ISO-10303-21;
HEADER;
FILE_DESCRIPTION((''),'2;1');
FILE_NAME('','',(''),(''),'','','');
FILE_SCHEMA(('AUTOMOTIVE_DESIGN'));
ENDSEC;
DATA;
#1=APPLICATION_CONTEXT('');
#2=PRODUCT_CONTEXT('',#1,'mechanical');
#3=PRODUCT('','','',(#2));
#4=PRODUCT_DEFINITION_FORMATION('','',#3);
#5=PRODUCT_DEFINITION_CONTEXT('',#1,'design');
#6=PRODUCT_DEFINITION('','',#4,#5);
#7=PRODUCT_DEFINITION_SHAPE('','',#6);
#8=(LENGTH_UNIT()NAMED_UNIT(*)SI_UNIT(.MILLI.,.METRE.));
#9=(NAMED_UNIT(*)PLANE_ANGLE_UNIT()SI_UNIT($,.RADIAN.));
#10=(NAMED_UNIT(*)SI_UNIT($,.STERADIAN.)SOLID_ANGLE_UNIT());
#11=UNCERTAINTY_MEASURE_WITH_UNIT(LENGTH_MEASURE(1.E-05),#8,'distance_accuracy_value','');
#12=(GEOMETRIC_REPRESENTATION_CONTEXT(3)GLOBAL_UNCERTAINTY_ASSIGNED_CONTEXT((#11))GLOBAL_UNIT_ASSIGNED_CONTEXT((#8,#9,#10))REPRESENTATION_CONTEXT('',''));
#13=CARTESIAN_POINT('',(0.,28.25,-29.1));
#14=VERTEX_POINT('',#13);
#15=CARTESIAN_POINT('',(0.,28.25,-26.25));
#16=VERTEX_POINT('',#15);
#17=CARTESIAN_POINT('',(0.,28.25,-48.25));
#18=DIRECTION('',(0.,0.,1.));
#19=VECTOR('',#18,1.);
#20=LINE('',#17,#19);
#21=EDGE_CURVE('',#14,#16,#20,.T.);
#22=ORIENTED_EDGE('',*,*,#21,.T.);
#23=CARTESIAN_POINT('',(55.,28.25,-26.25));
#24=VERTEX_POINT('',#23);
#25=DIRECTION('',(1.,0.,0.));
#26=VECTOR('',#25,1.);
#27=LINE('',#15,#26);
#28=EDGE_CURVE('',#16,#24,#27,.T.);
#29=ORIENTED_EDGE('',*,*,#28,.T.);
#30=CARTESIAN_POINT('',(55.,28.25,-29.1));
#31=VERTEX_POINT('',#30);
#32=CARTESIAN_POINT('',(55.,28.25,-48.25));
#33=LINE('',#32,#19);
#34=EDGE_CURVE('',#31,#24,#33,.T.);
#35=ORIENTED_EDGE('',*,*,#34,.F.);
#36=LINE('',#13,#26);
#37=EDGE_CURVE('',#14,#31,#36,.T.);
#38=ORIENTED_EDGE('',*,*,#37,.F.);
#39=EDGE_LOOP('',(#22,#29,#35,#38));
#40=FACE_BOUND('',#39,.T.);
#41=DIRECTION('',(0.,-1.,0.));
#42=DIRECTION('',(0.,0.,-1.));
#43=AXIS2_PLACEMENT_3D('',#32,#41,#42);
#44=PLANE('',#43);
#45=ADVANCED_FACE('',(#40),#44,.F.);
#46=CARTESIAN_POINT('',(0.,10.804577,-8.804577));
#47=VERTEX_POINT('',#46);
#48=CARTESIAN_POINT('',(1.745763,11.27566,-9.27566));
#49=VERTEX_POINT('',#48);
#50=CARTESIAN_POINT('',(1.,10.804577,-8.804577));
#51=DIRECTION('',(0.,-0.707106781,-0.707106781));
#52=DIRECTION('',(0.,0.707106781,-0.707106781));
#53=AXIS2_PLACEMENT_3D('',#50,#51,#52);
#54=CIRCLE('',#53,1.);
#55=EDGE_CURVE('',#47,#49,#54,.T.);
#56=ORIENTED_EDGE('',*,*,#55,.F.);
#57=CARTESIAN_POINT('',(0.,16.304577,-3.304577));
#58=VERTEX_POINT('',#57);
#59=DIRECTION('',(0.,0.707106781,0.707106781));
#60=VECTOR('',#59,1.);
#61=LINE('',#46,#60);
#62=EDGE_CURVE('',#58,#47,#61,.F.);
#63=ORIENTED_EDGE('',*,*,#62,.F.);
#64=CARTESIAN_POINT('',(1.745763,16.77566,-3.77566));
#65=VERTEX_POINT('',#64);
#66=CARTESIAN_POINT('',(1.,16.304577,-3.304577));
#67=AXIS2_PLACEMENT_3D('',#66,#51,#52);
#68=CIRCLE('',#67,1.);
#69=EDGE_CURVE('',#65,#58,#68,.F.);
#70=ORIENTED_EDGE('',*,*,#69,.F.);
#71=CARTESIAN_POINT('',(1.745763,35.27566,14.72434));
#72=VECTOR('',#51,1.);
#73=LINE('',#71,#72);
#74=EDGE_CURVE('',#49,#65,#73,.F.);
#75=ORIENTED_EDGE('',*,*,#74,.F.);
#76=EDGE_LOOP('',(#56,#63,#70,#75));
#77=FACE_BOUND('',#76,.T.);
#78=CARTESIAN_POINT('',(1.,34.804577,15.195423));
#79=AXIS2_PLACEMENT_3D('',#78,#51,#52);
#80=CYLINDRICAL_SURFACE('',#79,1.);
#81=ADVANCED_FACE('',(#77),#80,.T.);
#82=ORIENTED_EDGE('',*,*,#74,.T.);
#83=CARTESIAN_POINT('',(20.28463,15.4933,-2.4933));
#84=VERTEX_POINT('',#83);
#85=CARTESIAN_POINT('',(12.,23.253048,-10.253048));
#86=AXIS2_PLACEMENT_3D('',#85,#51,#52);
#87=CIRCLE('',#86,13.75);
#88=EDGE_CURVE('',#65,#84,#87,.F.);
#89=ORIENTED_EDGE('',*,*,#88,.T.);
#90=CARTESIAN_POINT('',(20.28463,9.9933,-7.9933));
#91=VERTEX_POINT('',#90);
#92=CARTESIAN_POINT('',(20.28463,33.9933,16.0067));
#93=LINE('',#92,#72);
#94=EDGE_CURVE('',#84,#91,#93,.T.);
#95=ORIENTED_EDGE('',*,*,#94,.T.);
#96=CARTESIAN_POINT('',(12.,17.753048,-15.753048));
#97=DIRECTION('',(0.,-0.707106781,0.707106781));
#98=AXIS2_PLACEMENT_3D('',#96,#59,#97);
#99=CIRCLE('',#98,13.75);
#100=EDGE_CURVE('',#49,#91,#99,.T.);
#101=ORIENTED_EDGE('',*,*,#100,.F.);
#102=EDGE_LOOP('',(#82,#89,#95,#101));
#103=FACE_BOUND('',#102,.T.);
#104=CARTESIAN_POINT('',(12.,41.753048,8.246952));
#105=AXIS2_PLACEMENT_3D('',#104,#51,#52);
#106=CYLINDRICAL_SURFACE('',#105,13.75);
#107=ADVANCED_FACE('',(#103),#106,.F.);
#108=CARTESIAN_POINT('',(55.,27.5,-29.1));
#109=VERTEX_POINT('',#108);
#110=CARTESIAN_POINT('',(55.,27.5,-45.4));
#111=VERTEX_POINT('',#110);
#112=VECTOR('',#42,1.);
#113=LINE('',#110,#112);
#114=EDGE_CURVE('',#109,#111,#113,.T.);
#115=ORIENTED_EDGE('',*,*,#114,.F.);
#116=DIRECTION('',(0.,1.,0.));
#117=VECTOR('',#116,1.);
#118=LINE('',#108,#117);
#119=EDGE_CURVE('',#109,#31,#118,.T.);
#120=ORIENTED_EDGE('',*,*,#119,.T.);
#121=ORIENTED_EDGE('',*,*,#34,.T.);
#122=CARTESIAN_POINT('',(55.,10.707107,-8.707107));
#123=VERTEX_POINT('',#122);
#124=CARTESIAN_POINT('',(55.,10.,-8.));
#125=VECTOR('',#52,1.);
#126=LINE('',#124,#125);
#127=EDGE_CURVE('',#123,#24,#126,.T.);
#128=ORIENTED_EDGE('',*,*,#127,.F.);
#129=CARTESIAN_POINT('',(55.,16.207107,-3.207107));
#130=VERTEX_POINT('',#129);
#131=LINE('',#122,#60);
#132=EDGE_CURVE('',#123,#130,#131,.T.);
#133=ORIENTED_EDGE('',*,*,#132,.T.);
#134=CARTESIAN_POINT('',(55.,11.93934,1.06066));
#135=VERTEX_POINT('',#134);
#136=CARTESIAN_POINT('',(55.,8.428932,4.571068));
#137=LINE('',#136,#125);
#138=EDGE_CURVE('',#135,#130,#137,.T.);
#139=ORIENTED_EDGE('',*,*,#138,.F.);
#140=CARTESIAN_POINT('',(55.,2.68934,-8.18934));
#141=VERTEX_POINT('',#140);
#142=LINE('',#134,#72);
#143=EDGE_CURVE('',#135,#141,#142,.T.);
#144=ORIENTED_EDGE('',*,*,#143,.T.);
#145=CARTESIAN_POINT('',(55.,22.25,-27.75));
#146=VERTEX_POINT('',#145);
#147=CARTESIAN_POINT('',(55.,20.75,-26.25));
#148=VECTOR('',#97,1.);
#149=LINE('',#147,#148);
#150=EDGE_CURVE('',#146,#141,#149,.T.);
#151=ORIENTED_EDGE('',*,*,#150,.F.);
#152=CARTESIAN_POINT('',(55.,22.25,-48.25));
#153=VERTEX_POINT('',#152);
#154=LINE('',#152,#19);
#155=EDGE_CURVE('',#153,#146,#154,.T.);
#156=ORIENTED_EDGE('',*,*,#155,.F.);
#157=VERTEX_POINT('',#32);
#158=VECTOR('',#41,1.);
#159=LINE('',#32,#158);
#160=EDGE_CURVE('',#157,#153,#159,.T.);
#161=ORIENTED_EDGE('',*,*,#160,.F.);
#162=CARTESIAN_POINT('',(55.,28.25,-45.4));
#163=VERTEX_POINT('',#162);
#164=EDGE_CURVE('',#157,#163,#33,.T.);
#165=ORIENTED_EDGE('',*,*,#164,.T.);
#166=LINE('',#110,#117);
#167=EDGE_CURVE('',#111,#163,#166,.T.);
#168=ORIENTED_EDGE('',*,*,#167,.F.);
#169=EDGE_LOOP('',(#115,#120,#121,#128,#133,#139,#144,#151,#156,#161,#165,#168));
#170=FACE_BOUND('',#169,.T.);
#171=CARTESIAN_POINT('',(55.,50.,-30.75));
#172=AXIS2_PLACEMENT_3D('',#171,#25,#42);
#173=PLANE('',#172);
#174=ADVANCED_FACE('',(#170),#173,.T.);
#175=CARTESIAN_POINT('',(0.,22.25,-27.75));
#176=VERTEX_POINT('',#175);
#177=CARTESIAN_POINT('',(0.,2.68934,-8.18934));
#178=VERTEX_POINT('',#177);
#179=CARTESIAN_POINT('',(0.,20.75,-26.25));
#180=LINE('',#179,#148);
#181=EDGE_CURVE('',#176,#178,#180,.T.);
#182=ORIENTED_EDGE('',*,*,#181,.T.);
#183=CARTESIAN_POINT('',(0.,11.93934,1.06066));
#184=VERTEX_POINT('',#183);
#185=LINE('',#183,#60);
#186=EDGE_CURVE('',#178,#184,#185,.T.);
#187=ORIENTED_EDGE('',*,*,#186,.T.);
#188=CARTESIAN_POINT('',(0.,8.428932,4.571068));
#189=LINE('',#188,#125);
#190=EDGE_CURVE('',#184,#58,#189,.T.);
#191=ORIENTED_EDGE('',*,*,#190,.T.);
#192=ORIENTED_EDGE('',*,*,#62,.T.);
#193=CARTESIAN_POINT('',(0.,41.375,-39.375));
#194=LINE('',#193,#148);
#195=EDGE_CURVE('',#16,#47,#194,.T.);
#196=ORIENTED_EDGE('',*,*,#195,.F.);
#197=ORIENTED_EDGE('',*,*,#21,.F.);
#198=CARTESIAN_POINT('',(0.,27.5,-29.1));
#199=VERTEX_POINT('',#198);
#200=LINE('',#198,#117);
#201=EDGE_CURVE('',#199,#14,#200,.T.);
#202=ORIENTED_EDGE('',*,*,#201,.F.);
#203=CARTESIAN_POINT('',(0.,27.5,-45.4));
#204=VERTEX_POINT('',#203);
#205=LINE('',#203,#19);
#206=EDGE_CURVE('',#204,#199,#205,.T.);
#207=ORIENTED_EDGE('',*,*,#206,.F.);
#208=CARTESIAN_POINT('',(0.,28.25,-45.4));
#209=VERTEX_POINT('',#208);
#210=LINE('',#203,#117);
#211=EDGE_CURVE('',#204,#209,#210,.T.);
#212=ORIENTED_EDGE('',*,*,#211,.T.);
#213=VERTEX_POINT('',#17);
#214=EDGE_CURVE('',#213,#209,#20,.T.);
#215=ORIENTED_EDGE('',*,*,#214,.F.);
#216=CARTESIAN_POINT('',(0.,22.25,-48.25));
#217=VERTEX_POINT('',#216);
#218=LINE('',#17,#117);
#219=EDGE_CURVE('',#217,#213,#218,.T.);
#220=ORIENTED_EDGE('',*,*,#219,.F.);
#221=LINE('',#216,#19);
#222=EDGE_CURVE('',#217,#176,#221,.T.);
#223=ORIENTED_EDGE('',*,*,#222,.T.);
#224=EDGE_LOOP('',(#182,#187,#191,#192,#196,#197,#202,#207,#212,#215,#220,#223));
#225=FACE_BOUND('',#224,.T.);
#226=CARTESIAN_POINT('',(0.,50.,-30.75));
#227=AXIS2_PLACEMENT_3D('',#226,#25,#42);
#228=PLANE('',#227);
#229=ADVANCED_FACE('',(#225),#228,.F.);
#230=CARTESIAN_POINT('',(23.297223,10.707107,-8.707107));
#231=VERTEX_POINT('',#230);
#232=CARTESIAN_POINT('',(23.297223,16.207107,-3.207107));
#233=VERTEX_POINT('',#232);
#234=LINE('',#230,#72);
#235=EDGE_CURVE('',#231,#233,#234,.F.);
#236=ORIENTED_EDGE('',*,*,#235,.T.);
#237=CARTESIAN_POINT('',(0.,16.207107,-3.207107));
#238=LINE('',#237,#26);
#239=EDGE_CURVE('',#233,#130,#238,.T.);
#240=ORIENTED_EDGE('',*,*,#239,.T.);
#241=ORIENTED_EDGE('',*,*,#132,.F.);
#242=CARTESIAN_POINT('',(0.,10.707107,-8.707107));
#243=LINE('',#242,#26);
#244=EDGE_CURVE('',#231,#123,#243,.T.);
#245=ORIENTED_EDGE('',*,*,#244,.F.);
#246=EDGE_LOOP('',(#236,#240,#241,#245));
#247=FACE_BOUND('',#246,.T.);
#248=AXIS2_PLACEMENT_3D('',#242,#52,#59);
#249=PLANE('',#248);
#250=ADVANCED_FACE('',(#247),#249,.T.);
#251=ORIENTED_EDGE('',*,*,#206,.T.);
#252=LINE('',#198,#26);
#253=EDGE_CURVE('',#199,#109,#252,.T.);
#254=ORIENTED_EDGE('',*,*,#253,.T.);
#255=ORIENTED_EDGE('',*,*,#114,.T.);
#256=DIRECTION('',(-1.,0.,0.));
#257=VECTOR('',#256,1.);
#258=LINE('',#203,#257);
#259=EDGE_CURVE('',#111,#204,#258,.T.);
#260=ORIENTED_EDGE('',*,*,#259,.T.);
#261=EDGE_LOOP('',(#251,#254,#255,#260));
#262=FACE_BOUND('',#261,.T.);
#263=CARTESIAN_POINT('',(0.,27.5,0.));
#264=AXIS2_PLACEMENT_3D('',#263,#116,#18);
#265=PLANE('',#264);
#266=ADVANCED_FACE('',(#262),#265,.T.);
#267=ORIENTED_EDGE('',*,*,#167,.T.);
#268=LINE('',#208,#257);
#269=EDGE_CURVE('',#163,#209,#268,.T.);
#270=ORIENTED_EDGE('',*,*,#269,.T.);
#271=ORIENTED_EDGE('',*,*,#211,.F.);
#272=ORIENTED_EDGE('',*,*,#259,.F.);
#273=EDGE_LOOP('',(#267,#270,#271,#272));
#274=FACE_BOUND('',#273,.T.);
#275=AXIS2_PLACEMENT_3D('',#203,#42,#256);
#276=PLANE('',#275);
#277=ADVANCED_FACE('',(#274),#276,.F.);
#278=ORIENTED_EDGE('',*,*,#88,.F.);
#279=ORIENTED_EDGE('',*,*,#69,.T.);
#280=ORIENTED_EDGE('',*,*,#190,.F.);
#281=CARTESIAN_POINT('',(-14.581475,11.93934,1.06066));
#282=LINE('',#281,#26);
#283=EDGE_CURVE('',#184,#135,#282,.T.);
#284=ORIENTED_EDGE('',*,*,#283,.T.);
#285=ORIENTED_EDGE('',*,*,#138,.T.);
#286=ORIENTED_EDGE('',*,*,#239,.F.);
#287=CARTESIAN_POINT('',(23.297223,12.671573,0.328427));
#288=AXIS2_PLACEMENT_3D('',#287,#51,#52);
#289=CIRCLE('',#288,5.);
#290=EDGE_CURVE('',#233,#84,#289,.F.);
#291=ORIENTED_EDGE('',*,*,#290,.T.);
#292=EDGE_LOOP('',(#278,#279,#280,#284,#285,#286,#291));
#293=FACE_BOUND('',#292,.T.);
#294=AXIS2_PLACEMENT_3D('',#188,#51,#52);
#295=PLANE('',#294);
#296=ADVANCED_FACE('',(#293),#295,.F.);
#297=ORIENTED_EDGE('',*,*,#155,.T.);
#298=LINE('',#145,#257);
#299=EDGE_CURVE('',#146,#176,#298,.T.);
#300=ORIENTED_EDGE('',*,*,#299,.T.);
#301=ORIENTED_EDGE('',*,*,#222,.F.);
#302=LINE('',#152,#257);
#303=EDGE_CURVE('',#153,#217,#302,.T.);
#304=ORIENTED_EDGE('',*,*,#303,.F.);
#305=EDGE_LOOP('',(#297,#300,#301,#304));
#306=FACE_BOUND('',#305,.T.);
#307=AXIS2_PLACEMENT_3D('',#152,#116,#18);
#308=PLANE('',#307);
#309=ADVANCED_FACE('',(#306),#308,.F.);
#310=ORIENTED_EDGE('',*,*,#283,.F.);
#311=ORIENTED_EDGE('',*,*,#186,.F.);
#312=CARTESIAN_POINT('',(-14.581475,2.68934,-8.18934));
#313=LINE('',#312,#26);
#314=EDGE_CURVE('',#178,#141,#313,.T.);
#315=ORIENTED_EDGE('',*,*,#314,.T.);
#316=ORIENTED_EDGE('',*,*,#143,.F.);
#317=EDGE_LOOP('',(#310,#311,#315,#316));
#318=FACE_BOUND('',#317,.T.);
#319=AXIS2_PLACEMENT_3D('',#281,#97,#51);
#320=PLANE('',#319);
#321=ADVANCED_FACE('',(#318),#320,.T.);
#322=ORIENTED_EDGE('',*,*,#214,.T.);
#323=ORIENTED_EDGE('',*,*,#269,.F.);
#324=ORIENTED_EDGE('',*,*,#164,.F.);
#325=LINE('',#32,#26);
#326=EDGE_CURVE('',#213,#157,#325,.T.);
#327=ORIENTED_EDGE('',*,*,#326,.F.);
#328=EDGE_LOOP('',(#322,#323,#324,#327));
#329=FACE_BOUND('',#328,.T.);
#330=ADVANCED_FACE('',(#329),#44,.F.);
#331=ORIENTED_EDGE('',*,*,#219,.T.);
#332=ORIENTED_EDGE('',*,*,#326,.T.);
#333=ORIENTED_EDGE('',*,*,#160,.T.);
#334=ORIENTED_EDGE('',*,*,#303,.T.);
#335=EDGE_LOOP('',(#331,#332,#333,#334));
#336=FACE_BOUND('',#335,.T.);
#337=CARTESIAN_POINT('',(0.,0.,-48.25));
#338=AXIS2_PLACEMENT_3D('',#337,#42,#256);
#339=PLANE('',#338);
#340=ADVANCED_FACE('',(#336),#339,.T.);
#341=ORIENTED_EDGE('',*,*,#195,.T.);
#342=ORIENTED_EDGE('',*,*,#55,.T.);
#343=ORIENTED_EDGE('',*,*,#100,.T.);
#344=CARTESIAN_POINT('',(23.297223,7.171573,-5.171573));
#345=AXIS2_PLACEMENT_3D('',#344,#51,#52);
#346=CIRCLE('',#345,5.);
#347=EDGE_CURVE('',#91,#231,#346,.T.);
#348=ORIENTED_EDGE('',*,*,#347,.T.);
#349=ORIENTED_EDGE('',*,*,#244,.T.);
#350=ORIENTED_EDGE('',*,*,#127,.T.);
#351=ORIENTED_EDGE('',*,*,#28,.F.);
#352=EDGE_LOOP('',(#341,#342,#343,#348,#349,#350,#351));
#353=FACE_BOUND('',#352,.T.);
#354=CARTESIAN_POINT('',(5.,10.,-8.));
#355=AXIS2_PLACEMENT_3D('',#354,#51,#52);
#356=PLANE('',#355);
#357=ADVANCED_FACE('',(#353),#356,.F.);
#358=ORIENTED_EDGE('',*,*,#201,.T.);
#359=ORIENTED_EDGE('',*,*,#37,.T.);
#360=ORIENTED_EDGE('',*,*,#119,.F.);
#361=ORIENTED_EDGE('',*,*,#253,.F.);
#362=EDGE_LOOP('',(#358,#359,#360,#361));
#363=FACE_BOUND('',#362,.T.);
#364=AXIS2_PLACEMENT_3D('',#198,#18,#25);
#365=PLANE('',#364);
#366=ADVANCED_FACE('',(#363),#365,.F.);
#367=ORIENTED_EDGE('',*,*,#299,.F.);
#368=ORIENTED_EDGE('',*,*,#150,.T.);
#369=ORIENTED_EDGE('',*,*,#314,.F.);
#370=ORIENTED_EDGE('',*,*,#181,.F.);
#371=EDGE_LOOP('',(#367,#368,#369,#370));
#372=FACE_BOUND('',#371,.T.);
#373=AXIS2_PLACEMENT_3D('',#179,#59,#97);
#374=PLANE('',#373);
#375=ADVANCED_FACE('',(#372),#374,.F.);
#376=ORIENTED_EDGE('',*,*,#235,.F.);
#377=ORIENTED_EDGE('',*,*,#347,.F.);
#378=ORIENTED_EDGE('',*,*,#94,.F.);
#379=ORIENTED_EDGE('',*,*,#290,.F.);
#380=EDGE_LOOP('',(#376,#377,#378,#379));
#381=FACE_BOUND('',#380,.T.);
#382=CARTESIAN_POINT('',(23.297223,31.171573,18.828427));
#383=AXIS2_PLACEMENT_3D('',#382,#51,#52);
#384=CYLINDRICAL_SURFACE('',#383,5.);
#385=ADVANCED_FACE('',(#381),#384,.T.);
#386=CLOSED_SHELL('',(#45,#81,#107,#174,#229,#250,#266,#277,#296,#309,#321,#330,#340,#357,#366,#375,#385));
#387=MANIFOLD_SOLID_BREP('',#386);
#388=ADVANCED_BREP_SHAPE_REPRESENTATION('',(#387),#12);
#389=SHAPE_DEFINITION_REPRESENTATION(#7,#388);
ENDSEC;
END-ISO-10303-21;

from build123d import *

# Parameters (mm, degrees)
SKETCH1_W           = 55
SKETCH1_H           = 30.75
BOSS_EXTRUDE1_DEPTH = 50
CUT_EXTRUDE1_DEPTH  = 50
CUT_EXTRUDE2_DEPTH  = 81.439806688
BOSS_EXTRUDE2_REACH = 82.44
SKETCH6_R           = 13.75
CUT_EXTRUDE3_DEPTH  = 81.212608111
CUT_EXTRUDE4_DEPTH  = 81.439806688
SKETCH8_R           = 6
CUT_EXTRUDE5_DEPTH  = 72.014963212
CUT_EXTRUDE6_DEPTH  = 72.014963212
SKETCH10_W          = 55
SKETCH10_H          = 4.5
CUT_EXTRUDE7_DEPTH  = 70.055231518
FILLET5_R           = 1
FILLET6_R           = 5
CUT_EXTRUDE8_DEPTH  = 68.172352944
SKETCH17_W          = 55
SKETCH17_H          = 6
BOSS_EXTRUDE4_DEPTH = 22
BOSS_EXTRUDE5_DEPTH = 55
SKETCH19_W          = 55
SKETCH19_H          = 16.3
CUT_EXTRUDE9_DEPTH  = 0.75
BOSS_EXTRUDE6_DEPTH = 55


with BuildPart() as part:
    # Sketch1 → Boss-Extrude1 (new body)
    with BuildSketch(Plane(origin=(0, 0, 0), x_dir=(1, 0, 0), z_dir=(0, 1, 0))):
        with Locations((27.5, 15.375)):
            Rectangle(SKETCH1_W, SKETCH1_H)
    extrude(amount=BOSS_EXTRUDE1_DEPTH)

    # Sketch4 → Cut-Extrude1 (cut)
    with BuildSketch(Plane(origin=(55, 0, 0), x_dir=(0, 0, -1), z_dir=(1, 0, 0))):
        Polygon((-27.355339059, 45.355339059), (8, 80.710678119), (43.355339059, 45.355339059), (8, 10), align=None)
    extrude(amount=-CUT_EXTRUDE1_DEPTH, mode=Mode.SUBTRACT)

    # Sketch5 → Cut-Extrude2 (cut, through all)
    with BuildSketch(Plane(origin=(55, 0, 0), x_dir=(0, 0, -1), z_dir=(1, 0, 0))):
        Polygon((-11.642135624, 15.5), (-4.571067812, 22.571067812), (2.5, 15.5), (-4.571067812, 8.428932188), align=None)
    extrude(amount=-CUT_EXTRUDE2_DEPTH, mode=Mode.SUBTRACT)

    # Sketch12 → Boss-Extrude2 (add, up to next)
    with BuildSketch(Plane(origin=(55, 0, 0), x_dir=(0, 0, -1), z_dir=(1, 0, 0)), mode=Mode.PRIVATE) as boss_extrude2_sk1:
        Polygon((2.5, 15.5), (8, 10), (8.707106781, 10.707106781), (3.207106781, 16.207106781), align=None)
    boss_extrude2_tool1 = extrude(boss_extrude2_sk1.sketch, amount=-BOSS_EXTRUDE2_REACH, mode=Mode.PRIVATE) - part.part
    add(boss_extrude2_tool1.solids().sort_by_distance((55, 13.103553, -5.603553))[0])

    # Sketch6 → Cut-Extrude3 (cut, through all)
    with BuildSketch(Plane(origin=(0, 1, 1), x_dir=(1, 0, 0), z_dir=(0, 0.7071067811865515, 0.7071067811865436))):
        with Locations((12, 23.692388155)):
            Circle(SKETCH6_R)
    extrude(amount=CUT_EXTRUDE3_DEPTH, mode=Mode.SUBTRACT)

    # Sketch7 → Cut-Extrude4 (cut, through all)
    with BuildSketch(Plane(origin=(55, 0, 0), x_dir=(0, 0, -1), z_dir=(1, 0, 0))):
        Polygon((0, 13), (5.506338941, 18.506338941), (11.006338941, 13.006338941), (61, 63), (25.408423261, 63), (0, 63), align=None)
    extrude(amount=-CUT_EXTRUDE4_DEPTH, mode=Mode.SUBTRACT)

    # Sketch8 → Cut-Extrude5 (cut, through all)
    with BuildSketch(Plane(origin=(0, 0, 0), x_dir=(1, 0, 0), z_dir=(0, 1, 0))):
        with Locations((25.75, 32.25)):
            Circle(SKETCH8_R)
    extrude(amount=CUT_EXTRUDE5_DEPTH, mode=Mode.SUBTRACT)

    # Sketch9 → Cut-Extrude6 (cut, through all)
    with BuildSketch(Plane(origin=(55, 0, 0), x_dir=(0, 0, -1), z_dir=(1, 0, 0))):
        Polygon((26.25, 28.25), (30.75, 28.25), (30.75, 32.75), align=None)
    extrude(amount=-CUT_EXTRUDE6_DEPTH, mode=Mode.SUBTRACT)

    # Sketch10 → Cut-Extrude7 (cut, through all)
    with BuildSketch(Plane(origin=(0, 0, 0), x_dir=(1, 0, 0), z_dir=(0, 1, 0))):
        with Locations((27.5, 28.5)):
            Rectangle(SKETCH10_W, SKETCH10_H)
    extrude(amount=CUT_EXTRUDE7_DEPTH, mode=Mode.SUBTRACT)

    # Fillet5
    fillet5_edges = [part.edges().sort_by_distance(p)[0] for p in [
        (0, 15.756338941, -8.256338941),
    ]]
    fillet(fillet5_edges, radius=FILLET5_R)

    # Fillet6
    fillet6_edges = [part.edges().sort_by_distance(p)[0] for p in [
        (21.474804244, 13.457106781, -5.957106781),
    ]]
    fillet(fillet6_edges, radius=FILLET6_R)

    # Sketch16 → Cut-Extrude8 (cut, through all)
    with BuildSketch(Plane(origin=(55, 0, 0), x_dir=(0, 0, -1), z_dir=(1, 0, 0))):
        Polygon((26.25, 20.75), (9.25, 3.75), (0, 13), (0, 0), (26.25, 0), align=None)
    extrude(amount=-CUT_EXTRUDE8_DEPTH, mode=Mode.SUBTRACT)

    # Sketch17 → Boss-Extrude4 (add)
    with BuildSketch(Plane(origin=(0, 0, -26.25), x_dir=(-1, 0, 0), z_dir=(0, 0, -1))):
        with Locations((-27.5, 25.25)):
            Rectangle(SKETCH17_W, SKETCH17_H)
    extrude(amount=BOSS_EXTRUDE4_DEPTH)

    # Sketch18 → Boss-Extrude5 (add)
    with BuildSketch(Plane(origin=(55, 0, 0), x_dir=(0, 0, -1), z_dir=(1, 0, 0))):
        Polygon((17.75, 12.25), (33.75, 28.25), (26.25, 28.25), (14, 16), align=None)
    extrude(amount=-BOSS_EXTRUDE5_DEPTH)

    # Sketch19 → Cut-Extrude9 (cut)
    with BuildSketch(Plane(origin=(0, 28.25, 0), x_dir=(1, 0, 0), z_dir=(0, 1, 0))):
        with Locations((27.5, 37.25)):
            Rectangle(SKETCH19_W, SKETCH19_H)
    extrude(amount=-CUT_EXTRUDE9_DEPTH, mode=Mode.SUBTRACT)

    # Sketch20 → Boss-Extrude6 (add)
    with BuildSketch(Plane(origin=(55, 0, 0), x_dir=(0, 0, -1), z_dir=(1, 0, 0))):
        Polygon((0, 13), (-1.060660172, 11.939339828), (8.189339828, 2.689339828), (9.25, 3.75), align=None)
    extrude(amount=-BOSS_EXTRUDE6_DEPTH)


solid = part.part
